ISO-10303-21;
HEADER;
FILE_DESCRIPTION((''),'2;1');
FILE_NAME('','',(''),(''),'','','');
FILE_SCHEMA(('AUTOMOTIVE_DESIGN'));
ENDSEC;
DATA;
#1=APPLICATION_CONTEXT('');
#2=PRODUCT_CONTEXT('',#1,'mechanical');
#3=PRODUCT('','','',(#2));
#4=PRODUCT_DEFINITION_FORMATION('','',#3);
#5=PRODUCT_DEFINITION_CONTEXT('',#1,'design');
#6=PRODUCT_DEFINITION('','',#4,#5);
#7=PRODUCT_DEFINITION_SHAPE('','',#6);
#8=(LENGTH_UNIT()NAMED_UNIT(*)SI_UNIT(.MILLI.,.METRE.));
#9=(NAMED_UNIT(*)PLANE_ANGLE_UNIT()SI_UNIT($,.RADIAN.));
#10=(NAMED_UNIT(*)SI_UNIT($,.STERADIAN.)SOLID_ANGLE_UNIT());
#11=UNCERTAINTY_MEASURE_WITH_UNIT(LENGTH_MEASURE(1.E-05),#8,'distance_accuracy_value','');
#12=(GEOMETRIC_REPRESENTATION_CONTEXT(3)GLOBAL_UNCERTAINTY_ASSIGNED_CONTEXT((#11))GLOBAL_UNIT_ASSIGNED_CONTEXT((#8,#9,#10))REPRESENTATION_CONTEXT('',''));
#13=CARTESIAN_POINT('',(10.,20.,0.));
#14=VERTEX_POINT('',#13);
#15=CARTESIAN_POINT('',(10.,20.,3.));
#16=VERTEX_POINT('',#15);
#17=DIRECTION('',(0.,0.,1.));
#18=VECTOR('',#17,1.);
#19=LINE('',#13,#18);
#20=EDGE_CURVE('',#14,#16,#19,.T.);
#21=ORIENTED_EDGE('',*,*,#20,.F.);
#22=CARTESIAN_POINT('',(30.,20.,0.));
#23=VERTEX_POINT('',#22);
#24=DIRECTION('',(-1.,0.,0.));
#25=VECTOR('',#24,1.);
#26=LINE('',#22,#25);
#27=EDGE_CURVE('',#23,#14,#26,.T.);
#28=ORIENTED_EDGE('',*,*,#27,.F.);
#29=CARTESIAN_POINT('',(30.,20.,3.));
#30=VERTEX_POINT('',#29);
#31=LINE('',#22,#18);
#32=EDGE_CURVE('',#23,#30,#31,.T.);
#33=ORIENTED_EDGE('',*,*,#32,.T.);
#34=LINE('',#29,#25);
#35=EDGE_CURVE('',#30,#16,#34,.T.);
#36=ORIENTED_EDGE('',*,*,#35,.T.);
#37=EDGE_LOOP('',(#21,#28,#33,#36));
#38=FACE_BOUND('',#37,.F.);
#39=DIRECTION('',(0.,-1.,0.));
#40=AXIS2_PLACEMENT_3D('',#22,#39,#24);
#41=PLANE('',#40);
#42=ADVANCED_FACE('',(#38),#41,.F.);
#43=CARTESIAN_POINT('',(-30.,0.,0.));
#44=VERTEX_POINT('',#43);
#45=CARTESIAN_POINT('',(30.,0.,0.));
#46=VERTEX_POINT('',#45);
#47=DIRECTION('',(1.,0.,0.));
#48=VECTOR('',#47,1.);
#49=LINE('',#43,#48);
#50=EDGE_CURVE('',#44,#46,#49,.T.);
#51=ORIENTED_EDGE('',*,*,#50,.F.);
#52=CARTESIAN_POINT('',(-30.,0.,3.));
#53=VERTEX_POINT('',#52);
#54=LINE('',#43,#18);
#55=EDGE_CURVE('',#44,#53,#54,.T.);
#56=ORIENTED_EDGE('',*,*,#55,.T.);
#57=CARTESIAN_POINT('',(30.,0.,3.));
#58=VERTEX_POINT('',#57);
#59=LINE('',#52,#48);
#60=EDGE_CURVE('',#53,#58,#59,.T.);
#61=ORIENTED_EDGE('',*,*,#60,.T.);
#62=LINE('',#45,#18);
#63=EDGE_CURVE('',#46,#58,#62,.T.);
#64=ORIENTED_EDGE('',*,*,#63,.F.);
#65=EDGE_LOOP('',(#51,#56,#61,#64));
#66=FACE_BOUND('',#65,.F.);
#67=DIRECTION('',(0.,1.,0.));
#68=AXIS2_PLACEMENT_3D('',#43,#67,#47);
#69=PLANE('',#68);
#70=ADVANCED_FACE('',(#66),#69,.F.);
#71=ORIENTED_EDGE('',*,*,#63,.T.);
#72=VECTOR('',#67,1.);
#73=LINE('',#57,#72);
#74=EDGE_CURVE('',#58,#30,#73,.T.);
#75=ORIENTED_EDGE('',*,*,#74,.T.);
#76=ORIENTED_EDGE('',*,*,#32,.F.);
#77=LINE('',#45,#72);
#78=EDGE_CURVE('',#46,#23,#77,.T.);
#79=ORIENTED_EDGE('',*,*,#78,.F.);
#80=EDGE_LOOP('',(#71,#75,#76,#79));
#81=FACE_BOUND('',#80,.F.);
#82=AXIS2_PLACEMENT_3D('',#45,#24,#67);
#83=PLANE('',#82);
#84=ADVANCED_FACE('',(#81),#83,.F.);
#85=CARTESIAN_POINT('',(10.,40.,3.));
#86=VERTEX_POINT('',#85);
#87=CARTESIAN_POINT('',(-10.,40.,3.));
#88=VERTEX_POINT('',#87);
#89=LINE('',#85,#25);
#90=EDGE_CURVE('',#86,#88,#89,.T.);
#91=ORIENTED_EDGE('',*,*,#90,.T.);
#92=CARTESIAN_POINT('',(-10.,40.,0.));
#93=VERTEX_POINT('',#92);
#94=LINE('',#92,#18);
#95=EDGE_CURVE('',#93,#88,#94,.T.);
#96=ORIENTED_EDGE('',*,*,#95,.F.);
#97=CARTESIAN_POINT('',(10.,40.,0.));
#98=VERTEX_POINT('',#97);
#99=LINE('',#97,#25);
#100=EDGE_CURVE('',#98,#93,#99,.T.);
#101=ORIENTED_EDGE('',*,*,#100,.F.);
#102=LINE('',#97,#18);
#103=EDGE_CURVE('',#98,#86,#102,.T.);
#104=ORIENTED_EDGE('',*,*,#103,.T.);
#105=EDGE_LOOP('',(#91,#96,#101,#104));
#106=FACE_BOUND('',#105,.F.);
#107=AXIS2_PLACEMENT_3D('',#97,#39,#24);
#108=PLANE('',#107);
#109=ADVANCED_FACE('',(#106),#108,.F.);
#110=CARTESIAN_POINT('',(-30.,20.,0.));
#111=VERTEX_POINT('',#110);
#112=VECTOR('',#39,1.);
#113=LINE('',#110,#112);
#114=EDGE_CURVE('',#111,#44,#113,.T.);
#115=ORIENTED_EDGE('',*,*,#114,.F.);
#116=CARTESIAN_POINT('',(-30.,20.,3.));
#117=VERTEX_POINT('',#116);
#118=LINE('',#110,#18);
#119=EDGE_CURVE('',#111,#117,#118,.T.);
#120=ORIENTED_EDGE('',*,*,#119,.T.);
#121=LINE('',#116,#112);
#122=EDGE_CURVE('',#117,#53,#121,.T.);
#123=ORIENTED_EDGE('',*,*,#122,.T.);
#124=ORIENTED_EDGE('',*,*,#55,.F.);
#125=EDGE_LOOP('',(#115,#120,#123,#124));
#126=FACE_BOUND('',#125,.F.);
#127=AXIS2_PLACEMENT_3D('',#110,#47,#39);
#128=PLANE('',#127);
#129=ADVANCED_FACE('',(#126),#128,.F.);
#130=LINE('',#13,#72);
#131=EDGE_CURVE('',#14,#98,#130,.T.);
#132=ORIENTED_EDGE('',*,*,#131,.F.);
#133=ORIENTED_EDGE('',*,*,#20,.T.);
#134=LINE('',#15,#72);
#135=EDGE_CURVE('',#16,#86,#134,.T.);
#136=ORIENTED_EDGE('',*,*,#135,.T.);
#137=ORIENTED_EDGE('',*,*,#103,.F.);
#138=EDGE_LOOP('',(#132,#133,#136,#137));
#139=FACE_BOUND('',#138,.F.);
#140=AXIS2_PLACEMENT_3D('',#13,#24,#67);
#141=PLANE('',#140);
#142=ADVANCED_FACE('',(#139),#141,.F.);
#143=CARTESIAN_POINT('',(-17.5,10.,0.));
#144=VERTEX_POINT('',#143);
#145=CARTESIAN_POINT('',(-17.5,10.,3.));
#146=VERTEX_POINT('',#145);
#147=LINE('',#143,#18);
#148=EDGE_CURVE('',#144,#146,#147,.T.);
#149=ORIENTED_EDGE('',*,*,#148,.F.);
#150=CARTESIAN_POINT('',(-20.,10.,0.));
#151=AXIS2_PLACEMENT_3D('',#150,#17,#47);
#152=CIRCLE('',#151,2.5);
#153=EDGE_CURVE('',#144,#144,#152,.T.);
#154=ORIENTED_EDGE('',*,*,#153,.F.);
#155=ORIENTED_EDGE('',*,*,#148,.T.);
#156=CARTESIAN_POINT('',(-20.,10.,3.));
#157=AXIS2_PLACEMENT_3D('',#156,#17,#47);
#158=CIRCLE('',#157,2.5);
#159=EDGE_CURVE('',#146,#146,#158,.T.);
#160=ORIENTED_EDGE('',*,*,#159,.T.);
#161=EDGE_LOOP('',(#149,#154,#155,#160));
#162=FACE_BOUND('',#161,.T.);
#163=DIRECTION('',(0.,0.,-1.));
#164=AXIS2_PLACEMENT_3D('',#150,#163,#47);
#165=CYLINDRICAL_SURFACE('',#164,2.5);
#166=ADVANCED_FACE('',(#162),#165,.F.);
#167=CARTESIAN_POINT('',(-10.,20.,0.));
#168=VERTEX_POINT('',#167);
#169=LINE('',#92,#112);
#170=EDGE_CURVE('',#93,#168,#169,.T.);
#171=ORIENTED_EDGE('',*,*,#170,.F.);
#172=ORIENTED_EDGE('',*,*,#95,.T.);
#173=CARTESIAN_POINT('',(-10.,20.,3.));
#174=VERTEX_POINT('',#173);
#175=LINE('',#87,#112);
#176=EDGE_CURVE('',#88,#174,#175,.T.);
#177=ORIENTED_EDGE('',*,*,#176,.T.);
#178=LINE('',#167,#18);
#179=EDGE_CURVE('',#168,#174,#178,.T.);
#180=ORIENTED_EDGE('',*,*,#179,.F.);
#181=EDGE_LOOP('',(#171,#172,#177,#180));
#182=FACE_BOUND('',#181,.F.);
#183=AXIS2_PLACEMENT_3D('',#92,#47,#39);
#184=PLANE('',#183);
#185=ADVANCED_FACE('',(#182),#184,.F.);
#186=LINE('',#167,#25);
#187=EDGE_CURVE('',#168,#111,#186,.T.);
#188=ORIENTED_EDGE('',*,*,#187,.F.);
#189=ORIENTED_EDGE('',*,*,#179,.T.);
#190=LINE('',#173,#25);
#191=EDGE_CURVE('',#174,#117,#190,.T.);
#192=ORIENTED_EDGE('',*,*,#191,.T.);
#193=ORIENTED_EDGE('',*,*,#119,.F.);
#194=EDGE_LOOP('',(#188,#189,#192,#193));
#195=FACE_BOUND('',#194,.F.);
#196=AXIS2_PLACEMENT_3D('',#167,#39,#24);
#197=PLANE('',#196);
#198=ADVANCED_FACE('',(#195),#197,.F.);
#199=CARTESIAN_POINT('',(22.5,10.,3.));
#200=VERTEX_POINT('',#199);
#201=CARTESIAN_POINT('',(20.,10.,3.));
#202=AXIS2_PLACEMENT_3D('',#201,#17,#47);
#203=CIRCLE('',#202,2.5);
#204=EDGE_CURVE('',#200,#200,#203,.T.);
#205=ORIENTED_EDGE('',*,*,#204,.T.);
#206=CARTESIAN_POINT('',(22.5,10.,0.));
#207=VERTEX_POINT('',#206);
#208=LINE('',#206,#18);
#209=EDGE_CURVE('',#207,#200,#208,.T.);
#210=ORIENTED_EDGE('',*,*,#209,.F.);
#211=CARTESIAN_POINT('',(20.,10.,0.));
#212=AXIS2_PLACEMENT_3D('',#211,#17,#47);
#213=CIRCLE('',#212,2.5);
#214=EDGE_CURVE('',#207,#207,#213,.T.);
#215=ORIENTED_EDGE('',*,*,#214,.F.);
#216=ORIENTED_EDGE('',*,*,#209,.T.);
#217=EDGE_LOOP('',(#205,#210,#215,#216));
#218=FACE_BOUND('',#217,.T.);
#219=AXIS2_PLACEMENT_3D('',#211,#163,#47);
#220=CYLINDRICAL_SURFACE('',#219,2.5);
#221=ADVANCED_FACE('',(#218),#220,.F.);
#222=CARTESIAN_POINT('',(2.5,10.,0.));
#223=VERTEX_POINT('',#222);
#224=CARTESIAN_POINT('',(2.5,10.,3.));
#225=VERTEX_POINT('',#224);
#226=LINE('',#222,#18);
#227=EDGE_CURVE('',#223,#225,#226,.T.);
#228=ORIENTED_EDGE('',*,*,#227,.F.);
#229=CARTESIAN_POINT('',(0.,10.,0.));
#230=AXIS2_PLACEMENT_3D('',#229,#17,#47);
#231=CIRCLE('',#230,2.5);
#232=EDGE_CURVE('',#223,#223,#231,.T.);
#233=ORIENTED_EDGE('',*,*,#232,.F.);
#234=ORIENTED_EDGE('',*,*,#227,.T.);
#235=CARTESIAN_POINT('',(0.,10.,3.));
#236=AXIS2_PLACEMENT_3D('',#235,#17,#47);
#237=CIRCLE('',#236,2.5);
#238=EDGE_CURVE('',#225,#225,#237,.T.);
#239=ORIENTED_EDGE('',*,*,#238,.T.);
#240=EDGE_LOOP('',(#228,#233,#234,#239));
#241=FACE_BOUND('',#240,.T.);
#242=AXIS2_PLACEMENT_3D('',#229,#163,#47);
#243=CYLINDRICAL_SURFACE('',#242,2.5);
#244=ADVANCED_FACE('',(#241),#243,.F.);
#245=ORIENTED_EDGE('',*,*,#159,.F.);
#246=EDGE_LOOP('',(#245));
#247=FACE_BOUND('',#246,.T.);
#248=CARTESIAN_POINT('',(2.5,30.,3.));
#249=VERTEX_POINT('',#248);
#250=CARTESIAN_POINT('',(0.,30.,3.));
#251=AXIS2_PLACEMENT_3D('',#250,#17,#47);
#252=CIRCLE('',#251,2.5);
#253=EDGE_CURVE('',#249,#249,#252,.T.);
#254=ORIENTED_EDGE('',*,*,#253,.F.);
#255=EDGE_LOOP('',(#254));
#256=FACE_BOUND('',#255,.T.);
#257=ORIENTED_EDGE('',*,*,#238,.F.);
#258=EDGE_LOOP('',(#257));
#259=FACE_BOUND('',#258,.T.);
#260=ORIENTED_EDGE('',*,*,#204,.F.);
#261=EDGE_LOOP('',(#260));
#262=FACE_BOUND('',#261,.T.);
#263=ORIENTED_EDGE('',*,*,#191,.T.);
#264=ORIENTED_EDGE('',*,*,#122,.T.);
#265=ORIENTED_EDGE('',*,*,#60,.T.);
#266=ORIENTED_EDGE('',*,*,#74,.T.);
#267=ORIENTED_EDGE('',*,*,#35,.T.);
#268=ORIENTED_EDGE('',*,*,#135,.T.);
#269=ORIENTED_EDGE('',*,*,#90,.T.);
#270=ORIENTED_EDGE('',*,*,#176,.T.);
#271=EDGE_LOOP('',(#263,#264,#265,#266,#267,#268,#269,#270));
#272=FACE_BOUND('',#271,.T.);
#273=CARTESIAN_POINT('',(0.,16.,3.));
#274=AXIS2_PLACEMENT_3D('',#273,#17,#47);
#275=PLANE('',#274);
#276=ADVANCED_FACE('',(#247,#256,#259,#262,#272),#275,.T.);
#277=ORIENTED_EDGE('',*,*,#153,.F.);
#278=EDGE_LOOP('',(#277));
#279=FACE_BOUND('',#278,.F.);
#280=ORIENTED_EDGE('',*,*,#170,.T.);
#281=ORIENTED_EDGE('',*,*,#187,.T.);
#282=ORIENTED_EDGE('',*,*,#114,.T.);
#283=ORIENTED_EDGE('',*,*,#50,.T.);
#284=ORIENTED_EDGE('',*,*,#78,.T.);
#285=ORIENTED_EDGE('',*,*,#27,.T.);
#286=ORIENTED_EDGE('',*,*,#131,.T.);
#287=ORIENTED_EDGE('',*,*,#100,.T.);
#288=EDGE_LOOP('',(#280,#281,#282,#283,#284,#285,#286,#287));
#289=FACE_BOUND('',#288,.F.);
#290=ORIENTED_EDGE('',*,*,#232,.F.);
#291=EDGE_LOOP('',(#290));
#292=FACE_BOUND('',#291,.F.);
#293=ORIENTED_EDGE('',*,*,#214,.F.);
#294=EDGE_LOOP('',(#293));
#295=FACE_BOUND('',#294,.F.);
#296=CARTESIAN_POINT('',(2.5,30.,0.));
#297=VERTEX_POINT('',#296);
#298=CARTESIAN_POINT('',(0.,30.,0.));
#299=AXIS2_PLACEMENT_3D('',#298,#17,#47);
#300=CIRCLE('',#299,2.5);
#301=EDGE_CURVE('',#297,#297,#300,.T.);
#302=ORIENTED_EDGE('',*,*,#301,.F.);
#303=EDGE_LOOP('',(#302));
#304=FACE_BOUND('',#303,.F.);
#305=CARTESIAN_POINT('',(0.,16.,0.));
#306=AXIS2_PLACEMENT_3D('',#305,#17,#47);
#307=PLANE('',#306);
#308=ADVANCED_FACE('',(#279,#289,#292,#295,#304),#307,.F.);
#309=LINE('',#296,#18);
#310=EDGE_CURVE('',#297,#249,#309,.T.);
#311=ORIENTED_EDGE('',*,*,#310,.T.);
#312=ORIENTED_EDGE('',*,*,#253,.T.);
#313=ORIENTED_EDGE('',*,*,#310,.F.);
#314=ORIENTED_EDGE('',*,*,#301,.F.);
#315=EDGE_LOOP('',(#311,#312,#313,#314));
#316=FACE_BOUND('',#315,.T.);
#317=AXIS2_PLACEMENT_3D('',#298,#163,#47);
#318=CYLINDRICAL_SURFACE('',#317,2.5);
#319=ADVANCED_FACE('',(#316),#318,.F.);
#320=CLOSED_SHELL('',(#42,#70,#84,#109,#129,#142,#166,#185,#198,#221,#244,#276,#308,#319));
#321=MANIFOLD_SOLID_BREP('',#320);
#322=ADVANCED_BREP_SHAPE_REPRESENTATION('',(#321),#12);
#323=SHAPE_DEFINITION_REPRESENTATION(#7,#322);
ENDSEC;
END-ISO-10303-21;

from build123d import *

# Parameters (mm, degrees)
F0_R     = 2.5
F1_DEPTH = 3


with BuildPart() as f1:
    # F0 (on Top) → F1 (new body)
    with BuildSketch(Plane.XY):
        Polygon((-30, 0), (0, 0), (30, 0), (30, 20), (10, 20), (10, 40), (0, 40), (-10, 40), (-10, 20), (-30, 20), align=None)
        with Locations((-20, 10)):
            Circle(F0_R, mode=Mode.SUBTRACT)
        with Locations((0, 10)):
            Circle(F0_R, mode=Mode.SUBTRACT)
        with Locations((20, 10)):
            Circle(F0_R, mode=Mode.SUBTRACT)
        with Locations((0, 30)):
            Circle(F0_R, mode=Mode.SUBTRACT)
    extrude(amount=F1_DEPTH)


solid = f1.part
